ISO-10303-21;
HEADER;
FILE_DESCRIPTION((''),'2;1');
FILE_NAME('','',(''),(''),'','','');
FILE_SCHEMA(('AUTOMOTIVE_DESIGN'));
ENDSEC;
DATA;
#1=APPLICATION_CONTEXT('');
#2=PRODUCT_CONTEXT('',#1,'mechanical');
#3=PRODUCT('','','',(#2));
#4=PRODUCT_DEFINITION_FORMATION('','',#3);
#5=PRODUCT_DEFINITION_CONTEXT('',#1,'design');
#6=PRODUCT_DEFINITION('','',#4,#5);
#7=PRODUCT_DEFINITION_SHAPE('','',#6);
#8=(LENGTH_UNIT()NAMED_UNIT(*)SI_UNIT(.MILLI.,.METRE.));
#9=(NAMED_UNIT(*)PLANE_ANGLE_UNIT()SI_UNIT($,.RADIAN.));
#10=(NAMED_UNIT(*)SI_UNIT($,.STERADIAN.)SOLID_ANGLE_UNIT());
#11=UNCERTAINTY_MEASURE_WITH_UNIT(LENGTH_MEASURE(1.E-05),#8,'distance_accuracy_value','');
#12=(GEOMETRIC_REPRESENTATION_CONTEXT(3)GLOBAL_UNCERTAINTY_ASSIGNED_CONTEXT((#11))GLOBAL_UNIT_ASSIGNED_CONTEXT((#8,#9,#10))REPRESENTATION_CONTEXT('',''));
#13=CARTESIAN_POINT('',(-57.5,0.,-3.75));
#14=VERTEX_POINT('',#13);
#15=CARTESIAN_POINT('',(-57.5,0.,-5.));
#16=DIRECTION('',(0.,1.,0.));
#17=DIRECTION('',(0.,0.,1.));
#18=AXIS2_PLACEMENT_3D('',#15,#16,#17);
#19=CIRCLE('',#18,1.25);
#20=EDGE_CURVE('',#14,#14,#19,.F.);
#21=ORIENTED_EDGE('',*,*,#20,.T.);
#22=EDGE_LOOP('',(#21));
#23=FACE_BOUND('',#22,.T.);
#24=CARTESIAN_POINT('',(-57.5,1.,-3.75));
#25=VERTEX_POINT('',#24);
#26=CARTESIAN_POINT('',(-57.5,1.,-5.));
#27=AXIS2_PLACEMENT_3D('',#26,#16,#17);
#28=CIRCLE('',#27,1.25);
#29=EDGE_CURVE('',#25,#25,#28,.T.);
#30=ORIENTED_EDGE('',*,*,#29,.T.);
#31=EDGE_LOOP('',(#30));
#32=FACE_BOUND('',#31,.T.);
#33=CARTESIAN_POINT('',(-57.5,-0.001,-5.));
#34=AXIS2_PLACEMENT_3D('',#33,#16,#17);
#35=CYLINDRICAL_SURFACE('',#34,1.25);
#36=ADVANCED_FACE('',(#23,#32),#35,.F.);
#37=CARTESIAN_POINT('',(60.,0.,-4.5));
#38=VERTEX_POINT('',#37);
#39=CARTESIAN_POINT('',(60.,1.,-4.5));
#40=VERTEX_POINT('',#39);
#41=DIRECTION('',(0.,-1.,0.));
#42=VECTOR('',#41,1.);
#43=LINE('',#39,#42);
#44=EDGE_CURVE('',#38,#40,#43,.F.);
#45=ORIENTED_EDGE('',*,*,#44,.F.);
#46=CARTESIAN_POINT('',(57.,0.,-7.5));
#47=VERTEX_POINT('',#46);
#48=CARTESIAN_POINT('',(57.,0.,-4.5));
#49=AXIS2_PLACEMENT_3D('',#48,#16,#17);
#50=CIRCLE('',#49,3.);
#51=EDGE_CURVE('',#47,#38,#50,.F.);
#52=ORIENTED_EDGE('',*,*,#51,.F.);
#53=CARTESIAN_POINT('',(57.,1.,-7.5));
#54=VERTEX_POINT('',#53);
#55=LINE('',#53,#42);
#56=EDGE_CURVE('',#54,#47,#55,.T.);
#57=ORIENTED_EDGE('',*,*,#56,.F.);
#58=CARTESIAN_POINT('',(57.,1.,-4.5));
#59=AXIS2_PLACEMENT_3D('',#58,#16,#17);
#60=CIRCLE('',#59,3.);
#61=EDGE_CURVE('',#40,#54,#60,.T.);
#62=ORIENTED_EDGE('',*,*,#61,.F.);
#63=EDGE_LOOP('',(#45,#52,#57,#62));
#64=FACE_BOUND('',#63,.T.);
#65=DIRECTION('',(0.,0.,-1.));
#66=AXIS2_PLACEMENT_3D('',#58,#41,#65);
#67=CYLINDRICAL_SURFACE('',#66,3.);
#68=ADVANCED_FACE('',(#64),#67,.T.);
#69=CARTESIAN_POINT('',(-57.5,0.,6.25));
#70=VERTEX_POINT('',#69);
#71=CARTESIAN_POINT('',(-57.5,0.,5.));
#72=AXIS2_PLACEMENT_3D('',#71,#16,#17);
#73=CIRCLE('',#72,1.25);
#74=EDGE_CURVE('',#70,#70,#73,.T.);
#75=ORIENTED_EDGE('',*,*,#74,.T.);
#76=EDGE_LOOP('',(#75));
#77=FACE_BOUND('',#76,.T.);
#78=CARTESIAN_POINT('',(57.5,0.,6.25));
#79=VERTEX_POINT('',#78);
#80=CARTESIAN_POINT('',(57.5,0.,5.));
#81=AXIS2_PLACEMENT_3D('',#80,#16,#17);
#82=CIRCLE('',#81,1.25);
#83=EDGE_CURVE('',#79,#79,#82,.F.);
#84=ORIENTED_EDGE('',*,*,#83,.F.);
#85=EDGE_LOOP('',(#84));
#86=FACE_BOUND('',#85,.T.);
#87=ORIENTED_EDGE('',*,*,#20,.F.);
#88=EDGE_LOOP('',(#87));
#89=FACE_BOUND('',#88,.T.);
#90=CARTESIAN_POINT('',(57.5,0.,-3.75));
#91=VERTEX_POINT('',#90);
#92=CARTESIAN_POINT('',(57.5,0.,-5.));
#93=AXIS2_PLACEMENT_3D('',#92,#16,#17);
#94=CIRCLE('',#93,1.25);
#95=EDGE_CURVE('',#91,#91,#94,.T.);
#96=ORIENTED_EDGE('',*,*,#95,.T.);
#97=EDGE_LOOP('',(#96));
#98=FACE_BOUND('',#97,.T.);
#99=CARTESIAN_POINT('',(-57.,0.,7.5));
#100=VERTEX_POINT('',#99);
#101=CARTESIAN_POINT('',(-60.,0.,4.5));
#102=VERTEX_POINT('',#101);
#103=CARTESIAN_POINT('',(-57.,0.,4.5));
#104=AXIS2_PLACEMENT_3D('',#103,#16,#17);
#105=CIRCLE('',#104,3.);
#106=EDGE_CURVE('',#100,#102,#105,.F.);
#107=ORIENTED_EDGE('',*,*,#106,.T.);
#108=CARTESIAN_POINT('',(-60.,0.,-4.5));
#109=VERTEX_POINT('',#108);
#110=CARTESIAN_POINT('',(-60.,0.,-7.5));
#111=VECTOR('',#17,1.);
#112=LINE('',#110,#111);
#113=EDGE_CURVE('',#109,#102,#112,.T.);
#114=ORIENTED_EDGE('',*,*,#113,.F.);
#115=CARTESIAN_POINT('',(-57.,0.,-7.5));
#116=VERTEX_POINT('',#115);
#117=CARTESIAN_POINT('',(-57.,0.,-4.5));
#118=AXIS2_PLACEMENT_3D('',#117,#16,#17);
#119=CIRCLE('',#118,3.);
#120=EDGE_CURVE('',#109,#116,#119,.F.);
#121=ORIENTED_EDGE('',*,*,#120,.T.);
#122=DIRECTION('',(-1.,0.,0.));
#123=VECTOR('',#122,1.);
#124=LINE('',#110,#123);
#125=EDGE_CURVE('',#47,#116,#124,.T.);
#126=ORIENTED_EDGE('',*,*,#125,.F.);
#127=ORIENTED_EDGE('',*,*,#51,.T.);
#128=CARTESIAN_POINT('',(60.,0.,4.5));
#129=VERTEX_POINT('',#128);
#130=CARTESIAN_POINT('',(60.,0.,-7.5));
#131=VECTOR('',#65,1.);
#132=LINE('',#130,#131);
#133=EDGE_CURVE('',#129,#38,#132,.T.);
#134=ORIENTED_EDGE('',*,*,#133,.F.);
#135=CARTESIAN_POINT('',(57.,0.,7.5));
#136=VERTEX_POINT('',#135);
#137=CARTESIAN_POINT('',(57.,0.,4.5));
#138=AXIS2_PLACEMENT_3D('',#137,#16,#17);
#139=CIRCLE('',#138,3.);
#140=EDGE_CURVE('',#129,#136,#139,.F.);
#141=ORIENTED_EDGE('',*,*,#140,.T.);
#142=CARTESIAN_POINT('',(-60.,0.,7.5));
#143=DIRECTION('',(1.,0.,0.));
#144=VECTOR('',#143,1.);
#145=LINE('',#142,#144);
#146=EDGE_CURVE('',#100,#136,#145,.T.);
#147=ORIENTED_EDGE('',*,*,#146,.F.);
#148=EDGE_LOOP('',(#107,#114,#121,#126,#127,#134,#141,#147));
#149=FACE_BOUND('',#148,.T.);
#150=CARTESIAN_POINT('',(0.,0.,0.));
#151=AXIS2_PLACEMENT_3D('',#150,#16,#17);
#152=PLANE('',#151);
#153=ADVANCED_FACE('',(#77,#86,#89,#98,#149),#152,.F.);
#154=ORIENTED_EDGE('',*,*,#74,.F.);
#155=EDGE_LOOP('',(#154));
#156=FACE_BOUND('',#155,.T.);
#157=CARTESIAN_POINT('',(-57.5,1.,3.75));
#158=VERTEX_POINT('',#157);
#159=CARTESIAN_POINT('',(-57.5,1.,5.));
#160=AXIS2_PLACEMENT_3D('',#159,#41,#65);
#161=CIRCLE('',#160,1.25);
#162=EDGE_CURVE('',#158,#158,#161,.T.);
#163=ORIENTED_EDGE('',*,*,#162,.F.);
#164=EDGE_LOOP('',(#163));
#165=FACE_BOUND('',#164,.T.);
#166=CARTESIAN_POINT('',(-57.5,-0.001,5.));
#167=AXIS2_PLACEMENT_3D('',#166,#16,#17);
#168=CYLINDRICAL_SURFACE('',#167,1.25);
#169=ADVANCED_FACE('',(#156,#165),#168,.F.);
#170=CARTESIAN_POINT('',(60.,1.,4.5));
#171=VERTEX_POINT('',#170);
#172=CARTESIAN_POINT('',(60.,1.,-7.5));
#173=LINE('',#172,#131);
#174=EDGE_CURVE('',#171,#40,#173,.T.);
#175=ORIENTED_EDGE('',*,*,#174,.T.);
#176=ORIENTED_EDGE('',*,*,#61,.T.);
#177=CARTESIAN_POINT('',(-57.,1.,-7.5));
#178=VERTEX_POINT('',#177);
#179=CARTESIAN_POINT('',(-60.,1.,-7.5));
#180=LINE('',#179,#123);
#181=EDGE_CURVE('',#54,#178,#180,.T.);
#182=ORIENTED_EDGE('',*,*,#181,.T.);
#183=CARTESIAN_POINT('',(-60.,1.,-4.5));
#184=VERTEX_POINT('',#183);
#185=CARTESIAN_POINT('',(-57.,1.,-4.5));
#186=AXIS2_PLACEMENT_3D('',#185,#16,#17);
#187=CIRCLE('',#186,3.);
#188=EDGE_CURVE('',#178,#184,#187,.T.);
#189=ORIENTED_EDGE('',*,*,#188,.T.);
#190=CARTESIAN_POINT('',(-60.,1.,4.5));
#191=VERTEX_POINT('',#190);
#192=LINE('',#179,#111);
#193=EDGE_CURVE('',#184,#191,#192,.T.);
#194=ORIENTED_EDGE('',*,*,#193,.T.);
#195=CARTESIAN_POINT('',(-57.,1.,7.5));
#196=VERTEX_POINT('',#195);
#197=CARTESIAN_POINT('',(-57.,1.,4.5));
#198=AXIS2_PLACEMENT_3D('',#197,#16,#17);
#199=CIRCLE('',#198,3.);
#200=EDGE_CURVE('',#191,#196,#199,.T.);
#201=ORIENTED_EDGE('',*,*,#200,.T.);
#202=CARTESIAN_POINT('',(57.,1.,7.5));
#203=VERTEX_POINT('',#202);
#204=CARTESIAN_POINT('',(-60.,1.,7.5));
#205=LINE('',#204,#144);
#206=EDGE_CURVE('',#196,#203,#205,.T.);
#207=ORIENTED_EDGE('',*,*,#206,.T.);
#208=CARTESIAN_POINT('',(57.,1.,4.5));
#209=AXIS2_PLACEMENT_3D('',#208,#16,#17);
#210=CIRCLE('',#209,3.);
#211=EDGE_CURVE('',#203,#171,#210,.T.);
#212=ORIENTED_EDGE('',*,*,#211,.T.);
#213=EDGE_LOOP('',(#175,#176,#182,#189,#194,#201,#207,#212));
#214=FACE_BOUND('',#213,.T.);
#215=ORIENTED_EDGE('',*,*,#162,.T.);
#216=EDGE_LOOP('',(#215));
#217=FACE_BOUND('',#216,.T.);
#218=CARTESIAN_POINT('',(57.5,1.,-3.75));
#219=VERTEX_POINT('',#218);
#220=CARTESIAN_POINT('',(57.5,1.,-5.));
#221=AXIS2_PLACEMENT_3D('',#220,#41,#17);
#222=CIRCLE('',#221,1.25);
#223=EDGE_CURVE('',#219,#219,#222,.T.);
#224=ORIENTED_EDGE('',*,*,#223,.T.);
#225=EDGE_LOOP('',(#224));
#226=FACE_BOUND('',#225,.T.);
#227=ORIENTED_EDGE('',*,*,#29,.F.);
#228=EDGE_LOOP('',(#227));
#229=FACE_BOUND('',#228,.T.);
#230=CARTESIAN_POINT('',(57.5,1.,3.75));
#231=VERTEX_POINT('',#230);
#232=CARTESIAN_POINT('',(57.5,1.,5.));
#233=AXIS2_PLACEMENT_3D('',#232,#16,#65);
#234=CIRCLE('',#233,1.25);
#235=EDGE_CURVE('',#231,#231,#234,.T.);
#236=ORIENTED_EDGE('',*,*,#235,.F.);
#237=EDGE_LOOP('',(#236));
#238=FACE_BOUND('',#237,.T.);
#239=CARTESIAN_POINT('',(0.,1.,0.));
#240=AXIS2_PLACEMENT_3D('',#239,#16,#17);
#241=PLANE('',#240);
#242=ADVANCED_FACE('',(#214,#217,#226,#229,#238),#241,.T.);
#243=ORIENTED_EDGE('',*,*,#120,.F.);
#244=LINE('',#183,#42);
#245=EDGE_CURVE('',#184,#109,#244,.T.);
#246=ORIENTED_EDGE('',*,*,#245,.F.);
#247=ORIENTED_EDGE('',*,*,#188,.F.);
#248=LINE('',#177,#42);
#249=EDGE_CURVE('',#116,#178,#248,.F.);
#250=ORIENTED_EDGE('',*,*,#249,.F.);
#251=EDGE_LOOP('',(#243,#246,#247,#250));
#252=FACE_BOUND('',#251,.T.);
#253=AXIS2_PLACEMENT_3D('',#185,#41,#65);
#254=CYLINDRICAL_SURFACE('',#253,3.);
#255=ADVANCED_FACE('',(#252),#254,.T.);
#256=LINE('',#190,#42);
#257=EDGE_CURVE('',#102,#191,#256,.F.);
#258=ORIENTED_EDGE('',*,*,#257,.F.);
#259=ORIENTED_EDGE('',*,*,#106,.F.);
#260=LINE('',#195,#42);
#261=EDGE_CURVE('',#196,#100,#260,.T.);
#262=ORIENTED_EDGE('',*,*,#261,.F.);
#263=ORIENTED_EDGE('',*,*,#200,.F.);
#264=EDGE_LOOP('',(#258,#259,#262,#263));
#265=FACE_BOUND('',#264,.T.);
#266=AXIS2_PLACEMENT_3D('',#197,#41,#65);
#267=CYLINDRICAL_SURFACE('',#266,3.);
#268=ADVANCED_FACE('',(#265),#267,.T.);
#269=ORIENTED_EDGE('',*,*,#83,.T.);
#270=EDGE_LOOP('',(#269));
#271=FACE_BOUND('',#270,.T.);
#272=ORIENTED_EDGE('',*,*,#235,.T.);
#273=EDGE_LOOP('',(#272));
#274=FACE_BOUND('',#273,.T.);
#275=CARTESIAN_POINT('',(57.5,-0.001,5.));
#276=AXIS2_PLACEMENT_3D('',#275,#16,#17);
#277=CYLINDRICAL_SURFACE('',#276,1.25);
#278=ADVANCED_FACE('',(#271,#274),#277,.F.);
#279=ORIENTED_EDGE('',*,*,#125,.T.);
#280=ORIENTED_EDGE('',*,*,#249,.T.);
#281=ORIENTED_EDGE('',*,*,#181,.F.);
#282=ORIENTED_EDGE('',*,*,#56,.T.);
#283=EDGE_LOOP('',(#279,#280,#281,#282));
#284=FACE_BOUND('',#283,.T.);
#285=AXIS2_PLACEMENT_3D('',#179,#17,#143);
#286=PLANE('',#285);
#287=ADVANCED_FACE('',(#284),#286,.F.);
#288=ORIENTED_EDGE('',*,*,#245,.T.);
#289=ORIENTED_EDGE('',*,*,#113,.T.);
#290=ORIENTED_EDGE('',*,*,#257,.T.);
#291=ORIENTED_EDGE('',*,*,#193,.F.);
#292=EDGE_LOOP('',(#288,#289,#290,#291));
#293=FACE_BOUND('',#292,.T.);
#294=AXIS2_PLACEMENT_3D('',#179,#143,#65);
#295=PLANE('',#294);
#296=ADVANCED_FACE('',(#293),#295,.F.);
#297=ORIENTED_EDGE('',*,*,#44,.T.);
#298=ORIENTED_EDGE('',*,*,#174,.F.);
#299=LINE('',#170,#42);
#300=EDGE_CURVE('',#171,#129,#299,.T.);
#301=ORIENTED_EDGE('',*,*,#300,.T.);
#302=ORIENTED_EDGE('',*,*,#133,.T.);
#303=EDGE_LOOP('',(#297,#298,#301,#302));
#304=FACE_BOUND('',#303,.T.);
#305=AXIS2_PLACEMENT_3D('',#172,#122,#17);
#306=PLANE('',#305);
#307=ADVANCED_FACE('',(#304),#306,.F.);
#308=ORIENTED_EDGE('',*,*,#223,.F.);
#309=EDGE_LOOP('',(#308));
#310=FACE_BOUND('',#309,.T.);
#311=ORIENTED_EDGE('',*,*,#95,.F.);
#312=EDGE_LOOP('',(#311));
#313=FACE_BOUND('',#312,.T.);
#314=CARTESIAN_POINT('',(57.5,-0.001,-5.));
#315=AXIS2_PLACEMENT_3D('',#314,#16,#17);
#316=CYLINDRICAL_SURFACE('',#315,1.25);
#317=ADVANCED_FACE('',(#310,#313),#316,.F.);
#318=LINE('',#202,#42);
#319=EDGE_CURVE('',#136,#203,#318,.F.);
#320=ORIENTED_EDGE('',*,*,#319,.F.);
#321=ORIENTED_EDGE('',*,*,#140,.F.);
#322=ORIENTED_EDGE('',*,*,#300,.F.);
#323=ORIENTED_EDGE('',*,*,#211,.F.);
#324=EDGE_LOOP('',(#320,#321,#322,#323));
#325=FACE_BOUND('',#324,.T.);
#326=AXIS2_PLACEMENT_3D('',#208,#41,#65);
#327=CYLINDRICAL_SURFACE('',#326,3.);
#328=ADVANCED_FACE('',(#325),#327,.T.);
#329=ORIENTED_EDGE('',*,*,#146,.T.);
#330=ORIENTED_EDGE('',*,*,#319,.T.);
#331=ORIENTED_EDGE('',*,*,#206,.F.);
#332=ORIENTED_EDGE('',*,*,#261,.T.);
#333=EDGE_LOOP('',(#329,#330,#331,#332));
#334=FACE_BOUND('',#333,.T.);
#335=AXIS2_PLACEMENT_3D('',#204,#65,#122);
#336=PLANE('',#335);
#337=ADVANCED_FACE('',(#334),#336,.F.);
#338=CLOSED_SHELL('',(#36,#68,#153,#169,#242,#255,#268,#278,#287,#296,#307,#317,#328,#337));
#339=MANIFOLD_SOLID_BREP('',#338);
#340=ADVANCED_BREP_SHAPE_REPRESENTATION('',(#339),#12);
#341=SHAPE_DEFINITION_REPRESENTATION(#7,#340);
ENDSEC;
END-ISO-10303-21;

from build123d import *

# Parameters (mm, degrees)
SKETCH1_W               = 120
SKETCH1_H               = 15
BOSS_EXTRUDE1_DEPTH     = 1
FILLET1_R               = 3
SKETCH3_R               = 1.25
CUT_EXTRUDE1_DEPTH      = 1
MIRROR2_COPY_1_SKETCH_R = 1.25
MIRROR2_COPY_1_DEPTH    = 1


with BuildPart() as part:
    # Sketch1 → Boss-Extrude1 (new body)
    with BuildSketch(Plane(origin=(0, 0, 0), x_dir=(1, 0, 0), z_dir=(0, 1, 0))):
        Rectangle(SKETCH1_W, SKETCH1_H)
    extrude(amount=BOSS_EXTRUDE1_DEPTH)

    # Fillet1
    fillet1_edges = [part.edges().sort_by_distance(p)[0] for p in [
        (60, 0.5, 7.5),
        (-60, 0.5, 7.5),
        (-60, 0.5, -7.5),
        (60, 0.5, -7.5),
    ]]
    fillet(fillet1_edges, radius=FILLET1_R)

    # Sketch3 → Cut-Extrude1 (cut)
    with BuildSketch(Plane(origin=(0, 1, 0), x_dir=(1, 0, 0), z_dir=(0, 1, 0))):
        with Locations((-57.5, 5)):
            Circle(SKETCH3_R)
    cut_extrude1 = extrude(amount=-CUT_EXTRUDE1_DEPTH, mode=Mode.SUBTRACT)

    # Mirror1: Cut-Extrude1 across plane
    add(cut_extrude1.mirror(Plane.XY), mode=Mode.SUBTRACT)

    # Mirror2: Cut-Extrude1 across plane
    add(cut_extrude1.mirror(Plane(origin=(0, 0, 0), x_dir=(0, 0, 1), z_dir=(1, 0, 0))), mode=Mode.SUBTRACT)

    # Mirror2 copy 1 sketch → Mirror2 copy 1 (cut)
    with BuildSketch(Plane(origin=(0, 1, 0), x_dir=(-1, 0, 0), z_dir=(0, 1, 0))):
        with Locations((-57.5, 5)):
            Circle(MIRROR2_COPY_1_SKETCH_R)
    extrude(amount=-MIRROR2_COPY_1_DEPTH, mode=Mode.SUBTRACT)


solid = part.part
